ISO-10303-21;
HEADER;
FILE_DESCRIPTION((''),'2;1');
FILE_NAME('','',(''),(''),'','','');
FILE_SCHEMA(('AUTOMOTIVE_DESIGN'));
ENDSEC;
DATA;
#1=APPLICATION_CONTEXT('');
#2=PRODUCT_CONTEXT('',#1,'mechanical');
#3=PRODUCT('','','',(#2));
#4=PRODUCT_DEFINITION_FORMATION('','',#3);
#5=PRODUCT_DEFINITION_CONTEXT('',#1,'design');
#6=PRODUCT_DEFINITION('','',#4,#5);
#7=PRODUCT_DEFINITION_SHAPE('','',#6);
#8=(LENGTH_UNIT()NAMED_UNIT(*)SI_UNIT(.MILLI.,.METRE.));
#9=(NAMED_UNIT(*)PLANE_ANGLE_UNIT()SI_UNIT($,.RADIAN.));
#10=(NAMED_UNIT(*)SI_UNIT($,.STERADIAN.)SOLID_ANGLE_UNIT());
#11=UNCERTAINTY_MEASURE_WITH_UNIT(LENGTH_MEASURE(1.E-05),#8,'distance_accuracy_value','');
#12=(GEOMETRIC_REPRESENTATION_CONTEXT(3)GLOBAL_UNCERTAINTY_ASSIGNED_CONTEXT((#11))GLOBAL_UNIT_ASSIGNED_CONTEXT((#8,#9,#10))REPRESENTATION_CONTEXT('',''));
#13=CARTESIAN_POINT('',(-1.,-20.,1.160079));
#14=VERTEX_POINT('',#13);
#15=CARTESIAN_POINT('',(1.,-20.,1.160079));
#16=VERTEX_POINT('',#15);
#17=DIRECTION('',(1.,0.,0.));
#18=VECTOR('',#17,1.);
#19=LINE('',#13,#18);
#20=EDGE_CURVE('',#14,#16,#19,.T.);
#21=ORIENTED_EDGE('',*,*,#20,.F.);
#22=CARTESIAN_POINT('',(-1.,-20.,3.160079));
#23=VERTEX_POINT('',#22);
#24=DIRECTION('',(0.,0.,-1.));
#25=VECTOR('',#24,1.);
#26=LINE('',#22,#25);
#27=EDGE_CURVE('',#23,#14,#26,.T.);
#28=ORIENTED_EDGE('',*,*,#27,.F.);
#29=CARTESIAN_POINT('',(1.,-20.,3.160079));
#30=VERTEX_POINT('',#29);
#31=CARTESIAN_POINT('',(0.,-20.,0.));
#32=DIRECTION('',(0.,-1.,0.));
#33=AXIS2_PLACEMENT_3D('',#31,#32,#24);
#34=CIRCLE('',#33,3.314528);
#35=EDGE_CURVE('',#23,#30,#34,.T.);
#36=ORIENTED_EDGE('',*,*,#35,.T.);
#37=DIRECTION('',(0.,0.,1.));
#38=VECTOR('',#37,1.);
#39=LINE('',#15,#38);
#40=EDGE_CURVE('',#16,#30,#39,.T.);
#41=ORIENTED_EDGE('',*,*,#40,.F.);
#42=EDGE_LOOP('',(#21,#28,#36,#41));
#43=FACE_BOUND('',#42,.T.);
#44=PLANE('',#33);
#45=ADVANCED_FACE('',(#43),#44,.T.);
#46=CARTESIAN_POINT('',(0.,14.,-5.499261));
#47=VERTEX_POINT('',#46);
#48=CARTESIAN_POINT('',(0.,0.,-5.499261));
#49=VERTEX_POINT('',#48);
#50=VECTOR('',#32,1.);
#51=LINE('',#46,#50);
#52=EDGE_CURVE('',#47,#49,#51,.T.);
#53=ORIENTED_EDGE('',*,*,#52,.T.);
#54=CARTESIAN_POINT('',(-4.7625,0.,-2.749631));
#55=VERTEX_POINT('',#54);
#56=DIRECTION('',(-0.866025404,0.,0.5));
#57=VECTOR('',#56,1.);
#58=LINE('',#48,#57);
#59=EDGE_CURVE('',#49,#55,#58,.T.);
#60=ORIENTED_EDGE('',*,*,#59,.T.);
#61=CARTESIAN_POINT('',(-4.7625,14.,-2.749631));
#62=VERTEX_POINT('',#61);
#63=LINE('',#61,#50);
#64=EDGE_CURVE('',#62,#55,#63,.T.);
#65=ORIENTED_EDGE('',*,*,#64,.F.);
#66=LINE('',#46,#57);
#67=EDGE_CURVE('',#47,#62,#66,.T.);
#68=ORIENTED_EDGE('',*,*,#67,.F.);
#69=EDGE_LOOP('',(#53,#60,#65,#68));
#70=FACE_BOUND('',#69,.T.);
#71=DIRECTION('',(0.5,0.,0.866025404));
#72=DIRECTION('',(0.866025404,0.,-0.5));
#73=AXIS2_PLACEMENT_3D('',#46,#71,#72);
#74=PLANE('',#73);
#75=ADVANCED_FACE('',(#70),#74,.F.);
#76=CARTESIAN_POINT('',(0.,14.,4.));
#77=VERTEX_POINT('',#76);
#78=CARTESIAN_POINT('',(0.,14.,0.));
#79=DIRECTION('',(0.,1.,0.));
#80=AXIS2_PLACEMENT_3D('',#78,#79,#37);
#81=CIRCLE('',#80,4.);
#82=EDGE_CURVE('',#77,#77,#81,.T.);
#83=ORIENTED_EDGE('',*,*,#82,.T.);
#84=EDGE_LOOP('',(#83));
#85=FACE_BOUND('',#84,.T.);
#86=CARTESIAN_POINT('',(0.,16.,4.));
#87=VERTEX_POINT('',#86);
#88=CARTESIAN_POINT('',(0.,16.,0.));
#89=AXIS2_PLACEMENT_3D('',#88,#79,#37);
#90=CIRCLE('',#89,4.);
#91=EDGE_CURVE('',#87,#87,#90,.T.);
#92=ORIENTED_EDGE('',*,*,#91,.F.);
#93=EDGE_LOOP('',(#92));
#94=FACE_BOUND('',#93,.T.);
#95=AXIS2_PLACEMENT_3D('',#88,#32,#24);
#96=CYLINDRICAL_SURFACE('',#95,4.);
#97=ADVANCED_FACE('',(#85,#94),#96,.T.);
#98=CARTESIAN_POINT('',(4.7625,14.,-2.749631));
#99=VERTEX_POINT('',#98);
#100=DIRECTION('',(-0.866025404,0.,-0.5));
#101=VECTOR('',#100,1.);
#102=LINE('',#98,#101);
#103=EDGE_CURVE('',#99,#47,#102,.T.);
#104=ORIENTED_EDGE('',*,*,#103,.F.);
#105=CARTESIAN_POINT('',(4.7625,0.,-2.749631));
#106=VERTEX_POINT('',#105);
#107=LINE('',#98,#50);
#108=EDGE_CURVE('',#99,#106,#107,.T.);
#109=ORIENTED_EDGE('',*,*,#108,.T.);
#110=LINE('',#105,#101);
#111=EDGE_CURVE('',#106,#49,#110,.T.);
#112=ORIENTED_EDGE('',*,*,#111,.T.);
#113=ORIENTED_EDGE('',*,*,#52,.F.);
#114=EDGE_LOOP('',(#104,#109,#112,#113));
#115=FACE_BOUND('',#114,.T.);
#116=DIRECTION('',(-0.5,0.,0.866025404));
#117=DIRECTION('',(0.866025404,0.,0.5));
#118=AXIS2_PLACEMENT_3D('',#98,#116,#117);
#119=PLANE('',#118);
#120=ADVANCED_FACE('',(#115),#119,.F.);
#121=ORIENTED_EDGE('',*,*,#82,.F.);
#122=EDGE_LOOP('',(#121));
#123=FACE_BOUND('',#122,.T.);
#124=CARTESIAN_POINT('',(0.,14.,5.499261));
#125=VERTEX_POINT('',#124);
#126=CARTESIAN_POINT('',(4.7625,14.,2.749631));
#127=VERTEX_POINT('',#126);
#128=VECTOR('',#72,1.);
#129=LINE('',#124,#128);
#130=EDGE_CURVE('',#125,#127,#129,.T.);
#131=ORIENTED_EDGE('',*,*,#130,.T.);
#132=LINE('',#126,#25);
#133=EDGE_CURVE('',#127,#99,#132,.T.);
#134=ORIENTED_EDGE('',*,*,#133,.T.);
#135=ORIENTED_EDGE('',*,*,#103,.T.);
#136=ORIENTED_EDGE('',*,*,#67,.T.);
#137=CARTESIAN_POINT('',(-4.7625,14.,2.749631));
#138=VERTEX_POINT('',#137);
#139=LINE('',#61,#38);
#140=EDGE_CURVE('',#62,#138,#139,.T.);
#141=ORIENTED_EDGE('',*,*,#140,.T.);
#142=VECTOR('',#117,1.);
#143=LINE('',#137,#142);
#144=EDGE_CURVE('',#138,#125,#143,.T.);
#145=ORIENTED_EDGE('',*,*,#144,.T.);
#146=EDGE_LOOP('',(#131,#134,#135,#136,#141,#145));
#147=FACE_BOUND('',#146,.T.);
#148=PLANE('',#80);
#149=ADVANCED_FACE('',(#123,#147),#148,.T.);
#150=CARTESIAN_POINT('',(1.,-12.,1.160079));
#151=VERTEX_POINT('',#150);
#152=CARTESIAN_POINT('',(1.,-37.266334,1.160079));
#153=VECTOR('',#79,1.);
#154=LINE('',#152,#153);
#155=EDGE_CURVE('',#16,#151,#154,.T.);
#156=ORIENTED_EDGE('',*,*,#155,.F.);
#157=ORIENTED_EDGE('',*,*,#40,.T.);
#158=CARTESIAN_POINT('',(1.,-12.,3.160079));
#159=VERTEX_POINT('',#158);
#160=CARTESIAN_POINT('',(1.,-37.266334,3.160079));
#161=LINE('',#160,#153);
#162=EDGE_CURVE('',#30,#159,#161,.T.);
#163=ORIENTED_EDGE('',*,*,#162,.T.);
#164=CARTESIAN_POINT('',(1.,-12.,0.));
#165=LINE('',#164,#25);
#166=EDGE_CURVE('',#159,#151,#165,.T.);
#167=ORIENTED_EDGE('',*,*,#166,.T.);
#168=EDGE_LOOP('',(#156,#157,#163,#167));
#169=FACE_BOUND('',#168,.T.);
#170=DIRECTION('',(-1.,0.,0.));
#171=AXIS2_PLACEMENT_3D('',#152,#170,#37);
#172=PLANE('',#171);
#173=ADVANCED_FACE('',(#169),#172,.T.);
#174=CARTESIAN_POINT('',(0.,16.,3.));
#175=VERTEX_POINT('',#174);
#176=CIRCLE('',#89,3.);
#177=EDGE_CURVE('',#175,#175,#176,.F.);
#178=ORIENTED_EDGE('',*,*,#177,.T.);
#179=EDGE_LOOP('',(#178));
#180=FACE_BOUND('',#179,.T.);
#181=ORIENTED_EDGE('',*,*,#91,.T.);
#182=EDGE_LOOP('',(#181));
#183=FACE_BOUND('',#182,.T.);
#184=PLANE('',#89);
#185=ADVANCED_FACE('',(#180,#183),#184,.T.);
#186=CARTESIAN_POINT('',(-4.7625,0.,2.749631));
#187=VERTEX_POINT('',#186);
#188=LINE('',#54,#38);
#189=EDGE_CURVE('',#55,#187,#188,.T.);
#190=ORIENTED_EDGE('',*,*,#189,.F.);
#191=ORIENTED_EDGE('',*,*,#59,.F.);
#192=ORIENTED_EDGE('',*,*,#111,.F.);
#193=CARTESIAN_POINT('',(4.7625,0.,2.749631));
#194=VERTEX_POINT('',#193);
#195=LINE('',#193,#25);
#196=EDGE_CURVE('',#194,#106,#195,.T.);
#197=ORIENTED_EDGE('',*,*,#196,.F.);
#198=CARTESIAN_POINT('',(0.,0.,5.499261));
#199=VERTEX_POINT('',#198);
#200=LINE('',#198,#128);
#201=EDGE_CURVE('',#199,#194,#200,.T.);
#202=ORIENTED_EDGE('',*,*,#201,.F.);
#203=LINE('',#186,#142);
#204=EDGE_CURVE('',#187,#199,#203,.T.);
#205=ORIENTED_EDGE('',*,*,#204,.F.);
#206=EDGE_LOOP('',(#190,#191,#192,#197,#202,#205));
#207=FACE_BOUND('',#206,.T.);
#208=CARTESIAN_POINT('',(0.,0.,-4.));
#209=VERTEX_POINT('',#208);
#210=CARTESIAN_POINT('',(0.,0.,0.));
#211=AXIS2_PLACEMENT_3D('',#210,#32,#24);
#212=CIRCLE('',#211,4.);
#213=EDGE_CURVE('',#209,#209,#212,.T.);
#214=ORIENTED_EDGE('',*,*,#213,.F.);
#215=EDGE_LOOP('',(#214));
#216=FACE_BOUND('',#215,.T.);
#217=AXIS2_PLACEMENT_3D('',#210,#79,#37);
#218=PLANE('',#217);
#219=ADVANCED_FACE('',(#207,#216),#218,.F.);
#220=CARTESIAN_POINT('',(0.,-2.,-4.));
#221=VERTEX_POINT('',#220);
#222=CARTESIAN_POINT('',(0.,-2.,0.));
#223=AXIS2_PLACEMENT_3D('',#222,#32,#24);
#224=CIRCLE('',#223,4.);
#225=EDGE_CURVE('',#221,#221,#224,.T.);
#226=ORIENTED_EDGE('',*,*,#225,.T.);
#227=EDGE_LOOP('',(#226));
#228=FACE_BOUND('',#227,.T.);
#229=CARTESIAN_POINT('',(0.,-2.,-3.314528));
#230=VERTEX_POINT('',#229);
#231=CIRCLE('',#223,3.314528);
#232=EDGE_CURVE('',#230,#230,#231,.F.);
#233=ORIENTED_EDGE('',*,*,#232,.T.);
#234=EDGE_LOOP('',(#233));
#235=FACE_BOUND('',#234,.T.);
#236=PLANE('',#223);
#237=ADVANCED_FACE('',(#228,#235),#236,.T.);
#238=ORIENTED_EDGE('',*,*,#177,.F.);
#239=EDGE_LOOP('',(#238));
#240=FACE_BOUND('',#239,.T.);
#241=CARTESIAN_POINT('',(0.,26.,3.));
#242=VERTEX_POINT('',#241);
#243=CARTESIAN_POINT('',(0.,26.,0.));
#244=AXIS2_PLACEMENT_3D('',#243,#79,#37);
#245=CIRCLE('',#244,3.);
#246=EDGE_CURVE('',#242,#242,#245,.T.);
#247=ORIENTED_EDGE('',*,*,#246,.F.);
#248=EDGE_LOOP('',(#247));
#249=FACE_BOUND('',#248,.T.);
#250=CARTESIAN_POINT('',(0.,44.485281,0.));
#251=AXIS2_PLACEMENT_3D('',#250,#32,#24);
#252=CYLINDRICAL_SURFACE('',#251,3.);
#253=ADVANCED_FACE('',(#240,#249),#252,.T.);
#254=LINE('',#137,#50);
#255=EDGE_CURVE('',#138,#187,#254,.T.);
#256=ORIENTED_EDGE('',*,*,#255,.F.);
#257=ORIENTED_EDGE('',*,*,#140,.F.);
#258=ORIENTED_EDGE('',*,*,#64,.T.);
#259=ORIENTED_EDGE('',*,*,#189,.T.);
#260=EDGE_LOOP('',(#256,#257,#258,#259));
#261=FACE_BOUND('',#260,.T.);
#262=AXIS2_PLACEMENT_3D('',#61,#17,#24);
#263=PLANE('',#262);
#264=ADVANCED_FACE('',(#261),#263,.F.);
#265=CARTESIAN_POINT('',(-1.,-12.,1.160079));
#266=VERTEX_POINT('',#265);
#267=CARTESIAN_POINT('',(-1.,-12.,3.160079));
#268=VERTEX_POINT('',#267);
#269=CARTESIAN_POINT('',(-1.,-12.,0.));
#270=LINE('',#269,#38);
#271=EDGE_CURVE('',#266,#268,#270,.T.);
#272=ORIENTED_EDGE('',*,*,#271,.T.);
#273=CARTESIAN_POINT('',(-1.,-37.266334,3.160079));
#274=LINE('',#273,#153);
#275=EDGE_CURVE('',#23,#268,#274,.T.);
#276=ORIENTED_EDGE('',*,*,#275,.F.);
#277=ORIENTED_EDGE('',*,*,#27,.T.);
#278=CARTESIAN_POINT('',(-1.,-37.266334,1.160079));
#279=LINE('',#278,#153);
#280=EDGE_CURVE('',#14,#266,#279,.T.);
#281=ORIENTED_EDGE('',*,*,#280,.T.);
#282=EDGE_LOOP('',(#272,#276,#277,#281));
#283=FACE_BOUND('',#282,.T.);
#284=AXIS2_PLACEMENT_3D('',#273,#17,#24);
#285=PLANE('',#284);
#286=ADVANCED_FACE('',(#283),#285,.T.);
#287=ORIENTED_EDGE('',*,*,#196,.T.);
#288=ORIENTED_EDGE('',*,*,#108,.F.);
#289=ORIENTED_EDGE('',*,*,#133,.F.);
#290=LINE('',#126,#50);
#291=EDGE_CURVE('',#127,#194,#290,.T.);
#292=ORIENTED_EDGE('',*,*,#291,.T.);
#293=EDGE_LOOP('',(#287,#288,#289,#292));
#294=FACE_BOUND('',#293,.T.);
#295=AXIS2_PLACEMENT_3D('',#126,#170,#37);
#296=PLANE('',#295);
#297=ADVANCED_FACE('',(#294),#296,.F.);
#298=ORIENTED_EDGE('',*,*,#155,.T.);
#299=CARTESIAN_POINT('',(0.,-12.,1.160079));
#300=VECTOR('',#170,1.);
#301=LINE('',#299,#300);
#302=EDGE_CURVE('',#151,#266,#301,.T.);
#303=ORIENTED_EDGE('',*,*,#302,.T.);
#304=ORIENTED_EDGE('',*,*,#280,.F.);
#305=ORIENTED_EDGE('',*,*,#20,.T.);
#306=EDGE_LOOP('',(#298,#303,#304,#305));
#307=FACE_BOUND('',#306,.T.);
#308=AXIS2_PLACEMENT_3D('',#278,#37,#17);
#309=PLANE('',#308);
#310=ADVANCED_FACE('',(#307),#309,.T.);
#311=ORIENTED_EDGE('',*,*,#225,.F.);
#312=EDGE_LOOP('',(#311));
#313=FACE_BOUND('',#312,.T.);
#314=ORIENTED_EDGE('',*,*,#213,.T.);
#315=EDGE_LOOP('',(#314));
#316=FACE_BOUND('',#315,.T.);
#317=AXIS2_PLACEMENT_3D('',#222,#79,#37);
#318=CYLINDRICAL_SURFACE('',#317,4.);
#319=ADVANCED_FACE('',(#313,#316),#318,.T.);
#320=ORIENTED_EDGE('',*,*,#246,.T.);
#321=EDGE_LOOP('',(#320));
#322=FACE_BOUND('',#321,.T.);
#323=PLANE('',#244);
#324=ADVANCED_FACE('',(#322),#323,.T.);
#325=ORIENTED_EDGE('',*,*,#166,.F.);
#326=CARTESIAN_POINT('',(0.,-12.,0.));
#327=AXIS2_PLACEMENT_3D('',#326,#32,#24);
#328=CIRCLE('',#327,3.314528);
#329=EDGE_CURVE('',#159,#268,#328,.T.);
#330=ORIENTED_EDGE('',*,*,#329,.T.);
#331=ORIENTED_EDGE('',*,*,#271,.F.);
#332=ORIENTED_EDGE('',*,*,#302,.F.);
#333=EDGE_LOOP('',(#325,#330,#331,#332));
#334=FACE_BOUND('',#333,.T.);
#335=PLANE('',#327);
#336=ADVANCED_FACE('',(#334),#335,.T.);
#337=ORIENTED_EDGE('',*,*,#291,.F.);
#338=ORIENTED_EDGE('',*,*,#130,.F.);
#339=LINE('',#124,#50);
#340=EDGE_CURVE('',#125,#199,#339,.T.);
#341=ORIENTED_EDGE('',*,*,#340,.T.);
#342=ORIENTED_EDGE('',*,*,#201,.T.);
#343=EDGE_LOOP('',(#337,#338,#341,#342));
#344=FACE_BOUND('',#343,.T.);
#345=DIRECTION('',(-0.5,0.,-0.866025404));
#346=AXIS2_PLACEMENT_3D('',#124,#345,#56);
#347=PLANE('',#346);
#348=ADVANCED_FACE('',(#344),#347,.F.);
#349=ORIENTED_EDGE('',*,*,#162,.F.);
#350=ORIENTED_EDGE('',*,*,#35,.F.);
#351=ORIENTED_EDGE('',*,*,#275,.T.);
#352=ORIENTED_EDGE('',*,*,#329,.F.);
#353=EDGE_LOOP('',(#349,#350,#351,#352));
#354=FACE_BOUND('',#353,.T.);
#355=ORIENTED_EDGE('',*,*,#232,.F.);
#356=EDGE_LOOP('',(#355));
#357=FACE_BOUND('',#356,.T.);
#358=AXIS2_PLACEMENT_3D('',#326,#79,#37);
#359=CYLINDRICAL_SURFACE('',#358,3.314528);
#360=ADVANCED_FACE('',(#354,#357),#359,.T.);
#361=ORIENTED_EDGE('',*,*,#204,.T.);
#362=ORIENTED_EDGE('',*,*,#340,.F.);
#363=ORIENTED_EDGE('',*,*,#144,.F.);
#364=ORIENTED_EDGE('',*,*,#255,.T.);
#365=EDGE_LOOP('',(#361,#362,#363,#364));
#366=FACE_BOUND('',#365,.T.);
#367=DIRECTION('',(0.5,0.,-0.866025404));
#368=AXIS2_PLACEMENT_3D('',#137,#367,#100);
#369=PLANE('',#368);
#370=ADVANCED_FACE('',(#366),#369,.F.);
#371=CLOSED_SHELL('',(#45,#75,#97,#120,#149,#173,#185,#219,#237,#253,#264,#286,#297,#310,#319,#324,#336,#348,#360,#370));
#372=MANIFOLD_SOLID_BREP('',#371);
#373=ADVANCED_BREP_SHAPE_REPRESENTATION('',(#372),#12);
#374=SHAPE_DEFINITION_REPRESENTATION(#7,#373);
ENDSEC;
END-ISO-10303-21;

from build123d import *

# Parameters (mm, degrees)
BOSS_EXTRUDE1_DEPTH = 14
SKETCH4_R           = 4
BOSS_EXTRUDE2_DEPTH = 2
SKETCH4_7_R         = 3.314528
BOSS_EXTRUDE3_DEPTH = 12
BOSS_EXTRUDE5_START = 2
SKETCH5_R           = 4
SKETCH5_R_2         = 3
BOSS_EXTRUDE5_DEPTH = 2
SKETCH5_4_R         = 3
BOSS_EXTRUDE6_DEPTH = 12
BOSS_EXTRUDE7_DEPTH = 20


with BuildPart() as part:
    # Sketch1 → Boss-Extrude1 (new body)
    with BuildSketch(Plane(origin=(0, 0, 0), x_dir=(1, 0, 0), z_dir=(0, 1, 0))):
        Polygon((4.7625, -2.749631), (4.7625, 2.749631), (0, 5.499261), (-4.7625, 2.749631), (-4.7625, -2.749631), (0, -5.499261), align=None)
    extrude(amount=BOSS_EXTRUDE1_DEPTH)

    # Sketch4 → Boss-Extrude2 (add)
    with BuildSketch(Plane.XZ):
        with Locations(Location((0, 0, 0), (0, 0, 270))):
            Circle(SKETCH4_R)
    extrude(amount=BOSS_EXTRUDE2_DEPTH)

    # Sketch4<7> → Boss-Extrude3 (add)
    with BuildSketch(Plane.XZ):
        with Locations(Location((0, 0, 0), (0, 0, 270))):
            Circle(SKETCH4_7_R)
        with BuildLine():
            Line((-1, 3.160079), (-1, 1.160079))
            Line((-1, 1.160079), (1, 1.160079))
            Line((1, 1.160079), (1, 3.160079))
            ThreePointArc((1, 3.160079), (0, -3.314528), (-1, 3.160079))
        make_face()
    extrude(amount=BOSS_EXTRUDE3_DEPTH)

    # Sketch5 → Boss-Extrude5 (add)
    # profile 1 of 2: a face of its own
    with BuildSketch(Plane(origin=(0, 14, 0), x_dir=(1, 0, 0), z_dir=(0, 1, 0)).offset(BOSS_EXTRUDE5_START)):
        with Locations(Location((0, 0, 0), (0, 0, 90))):
            Circle(SKETCH5_R)
        Circle(SKETCH5_R_2, mode=Mode.SUBTRACT)
    # profile 2 of 2: a face of its own
    with BuildSketch(Plane(origin=(0, 14, 0), x_dir=(1, 0, 0), z_dir=(0, 1, 0)).offset(BOSS_EXTRUDE5_START)):
        Circle(SKETCH5_R_2)
    extrude(amount=-BOSS_EXTRUDE5_DEPTH)

    # Sketch5<4> → Boss-Extrude6 (add)
    with BuildSketch(Plane(origin=(0, 14, 0), x_dir=(1, 0, 0), z_dir=(0, 1, 0))):
        with Locations(Location((0, 0, 0), (0, 0, 270))):
            Circle(SKETCH5_4_R)
    extrude(amount=BOSS_EXTRUDE6_DEPTH)

    # Sketch4<13> → Boss-Extrude7 (add)
    with BuildSketch(Plane.XZ):
        with BuildLine():
            Line((-1, 3.160079), (-1, 1.160079))
            Line((-1, 1.160079), (1, 1.160079))
            Line((1, 1.160079), (1, 3.160079))
            ThreePointArc((1, 3.160079), (0, -3.314528), (-1, 3.160079))
        make_face()
    extrude(amount=BOSS_EXTRUDE7_DEPTH)


solid = part.part
